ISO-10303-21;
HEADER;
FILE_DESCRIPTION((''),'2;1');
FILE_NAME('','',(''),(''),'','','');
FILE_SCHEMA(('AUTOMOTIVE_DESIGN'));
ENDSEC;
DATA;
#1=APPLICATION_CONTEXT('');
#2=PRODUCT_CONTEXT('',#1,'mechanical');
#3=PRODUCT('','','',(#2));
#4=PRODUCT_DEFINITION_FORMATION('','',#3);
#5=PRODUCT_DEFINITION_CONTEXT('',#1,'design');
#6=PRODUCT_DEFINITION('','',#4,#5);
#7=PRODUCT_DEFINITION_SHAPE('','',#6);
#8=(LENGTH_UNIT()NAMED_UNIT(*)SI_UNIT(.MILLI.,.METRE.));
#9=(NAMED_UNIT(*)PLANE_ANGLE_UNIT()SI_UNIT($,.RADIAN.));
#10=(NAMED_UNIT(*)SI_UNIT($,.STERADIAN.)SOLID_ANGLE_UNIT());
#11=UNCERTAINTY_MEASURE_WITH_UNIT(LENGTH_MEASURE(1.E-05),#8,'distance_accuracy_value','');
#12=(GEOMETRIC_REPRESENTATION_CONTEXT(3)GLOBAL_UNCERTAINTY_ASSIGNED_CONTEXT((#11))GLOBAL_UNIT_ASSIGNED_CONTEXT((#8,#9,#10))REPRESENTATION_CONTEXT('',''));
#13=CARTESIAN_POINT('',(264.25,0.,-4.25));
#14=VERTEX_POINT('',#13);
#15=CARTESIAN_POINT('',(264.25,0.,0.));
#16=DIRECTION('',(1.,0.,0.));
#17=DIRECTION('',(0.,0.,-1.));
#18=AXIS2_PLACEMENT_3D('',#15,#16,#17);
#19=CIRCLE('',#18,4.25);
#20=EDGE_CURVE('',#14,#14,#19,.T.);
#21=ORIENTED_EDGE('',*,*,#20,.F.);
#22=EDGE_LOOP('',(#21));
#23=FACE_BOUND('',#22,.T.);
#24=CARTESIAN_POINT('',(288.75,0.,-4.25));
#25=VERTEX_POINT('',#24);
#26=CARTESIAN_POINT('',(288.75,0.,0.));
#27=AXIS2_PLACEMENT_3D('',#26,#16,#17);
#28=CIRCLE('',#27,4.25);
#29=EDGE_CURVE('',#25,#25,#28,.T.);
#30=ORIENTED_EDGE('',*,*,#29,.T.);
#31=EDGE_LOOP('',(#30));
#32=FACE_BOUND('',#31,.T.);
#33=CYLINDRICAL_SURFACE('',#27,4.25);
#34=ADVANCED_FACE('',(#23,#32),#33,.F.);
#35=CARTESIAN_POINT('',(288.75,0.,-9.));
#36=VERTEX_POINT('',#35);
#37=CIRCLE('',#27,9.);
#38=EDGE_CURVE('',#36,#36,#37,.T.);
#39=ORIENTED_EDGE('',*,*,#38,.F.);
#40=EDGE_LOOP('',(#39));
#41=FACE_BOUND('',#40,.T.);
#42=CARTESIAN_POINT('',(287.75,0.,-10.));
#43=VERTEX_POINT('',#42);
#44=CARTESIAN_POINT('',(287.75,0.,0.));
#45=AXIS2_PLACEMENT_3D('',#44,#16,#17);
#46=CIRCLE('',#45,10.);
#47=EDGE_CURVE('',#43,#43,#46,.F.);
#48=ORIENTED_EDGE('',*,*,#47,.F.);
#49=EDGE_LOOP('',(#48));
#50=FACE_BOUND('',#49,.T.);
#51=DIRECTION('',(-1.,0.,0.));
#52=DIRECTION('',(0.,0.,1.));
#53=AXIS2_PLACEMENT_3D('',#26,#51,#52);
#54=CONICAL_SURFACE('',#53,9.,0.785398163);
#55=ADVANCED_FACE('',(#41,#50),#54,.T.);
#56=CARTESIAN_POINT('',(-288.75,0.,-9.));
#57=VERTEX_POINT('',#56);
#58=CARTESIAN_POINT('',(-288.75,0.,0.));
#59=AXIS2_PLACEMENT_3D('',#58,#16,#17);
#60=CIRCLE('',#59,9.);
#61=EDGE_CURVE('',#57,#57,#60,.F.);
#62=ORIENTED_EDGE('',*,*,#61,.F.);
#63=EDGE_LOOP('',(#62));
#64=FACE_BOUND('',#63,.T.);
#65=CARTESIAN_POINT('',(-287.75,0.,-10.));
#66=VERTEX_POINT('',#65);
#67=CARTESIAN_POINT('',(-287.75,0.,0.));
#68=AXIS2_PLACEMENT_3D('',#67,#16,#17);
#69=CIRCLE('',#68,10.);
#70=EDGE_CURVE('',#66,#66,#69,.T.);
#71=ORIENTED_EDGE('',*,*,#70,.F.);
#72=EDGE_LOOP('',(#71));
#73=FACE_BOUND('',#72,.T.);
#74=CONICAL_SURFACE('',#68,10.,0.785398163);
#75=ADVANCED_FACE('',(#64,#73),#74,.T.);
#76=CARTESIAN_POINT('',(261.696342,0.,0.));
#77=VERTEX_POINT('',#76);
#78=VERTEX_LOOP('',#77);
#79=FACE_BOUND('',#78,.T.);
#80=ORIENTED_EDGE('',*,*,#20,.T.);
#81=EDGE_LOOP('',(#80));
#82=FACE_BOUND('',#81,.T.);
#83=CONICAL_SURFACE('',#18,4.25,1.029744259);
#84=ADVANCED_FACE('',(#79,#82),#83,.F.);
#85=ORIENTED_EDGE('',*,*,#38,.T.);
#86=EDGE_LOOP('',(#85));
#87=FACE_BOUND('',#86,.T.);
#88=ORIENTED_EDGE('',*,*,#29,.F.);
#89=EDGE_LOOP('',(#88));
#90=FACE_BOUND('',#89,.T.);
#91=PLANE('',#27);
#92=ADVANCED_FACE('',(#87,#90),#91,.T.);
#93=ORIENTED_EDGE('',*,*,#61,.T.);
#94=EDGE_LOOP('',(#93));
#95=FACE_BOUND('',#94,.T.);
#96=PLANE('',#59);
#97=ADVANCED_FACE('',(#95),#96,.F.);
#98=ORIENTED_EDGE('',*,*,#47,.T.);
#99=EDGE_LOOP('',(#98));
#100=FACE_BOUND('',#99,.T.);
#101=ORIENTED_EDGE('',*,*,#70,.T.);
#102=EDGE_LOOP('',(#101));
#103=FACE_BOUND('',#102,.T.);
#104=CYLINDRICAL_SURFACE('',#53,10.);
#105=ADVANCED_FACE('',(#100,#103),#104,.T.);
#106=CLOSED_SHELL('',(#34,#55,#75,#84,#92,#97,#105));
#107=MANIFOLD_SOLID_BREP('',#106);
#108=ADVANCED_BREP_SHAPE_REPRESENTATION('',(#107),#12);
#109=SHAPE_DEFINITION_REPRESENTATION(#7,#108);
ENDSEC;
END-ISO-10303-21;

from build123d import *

# Parameters (mm, degrees)
SKETCH_1_R      = 10
EXTRUDE_1_DEPTH = 288.75
M10X1_5_1_D     = 8.5
M10X1_5_1_DEPTH = 24.5
M10X1_5_1_TIP   = 2.553657631
CHAMFER_1_SIZE  = 1


with BuildPart() as part:
    # 草图1 → 凸台-拉伸1 (new, symmetric)
    with BuildSketch(Plane(origin=(0, 0, 0), x_dir=(0, 0, -1), z_dir=(1, 0, 0))):
        Circle(SKETCH_1_R)
    extrude(amount=EXTRUDE_1_DEPTH, both=True)

    # M10x1.5 螺纹孔1
    with Locations(Plane(origin=(288.75, 0, 0), x_dir=(0, 0, -1), z_dir=(1, 0, 0))):
        with Locations((0, 0)):
            Hole(M10X1_5_1_D / 2, depth=M10X1_5_1_DEPTH)
            with Locations((0, 0, -(M10X1_5_1_DEPTH + M10X1_5_1_TIP / 2))):  # 118° drill point
                Cone(0, M10X1_5_1_D / 2, M10X1_5_1_TIP, mode=Mode.SUBTRACT)

    # 倒角1
    chamfer_1_edges = [part.edges().sort_by_distance(p)[0] for p in [
        (-288.75, 0, 10),
        (288.75, 0, 10),
    ]]
    chamfer(chamfer_1_edges, length=CHAMFER_1_SIZE)


solid = part.part
